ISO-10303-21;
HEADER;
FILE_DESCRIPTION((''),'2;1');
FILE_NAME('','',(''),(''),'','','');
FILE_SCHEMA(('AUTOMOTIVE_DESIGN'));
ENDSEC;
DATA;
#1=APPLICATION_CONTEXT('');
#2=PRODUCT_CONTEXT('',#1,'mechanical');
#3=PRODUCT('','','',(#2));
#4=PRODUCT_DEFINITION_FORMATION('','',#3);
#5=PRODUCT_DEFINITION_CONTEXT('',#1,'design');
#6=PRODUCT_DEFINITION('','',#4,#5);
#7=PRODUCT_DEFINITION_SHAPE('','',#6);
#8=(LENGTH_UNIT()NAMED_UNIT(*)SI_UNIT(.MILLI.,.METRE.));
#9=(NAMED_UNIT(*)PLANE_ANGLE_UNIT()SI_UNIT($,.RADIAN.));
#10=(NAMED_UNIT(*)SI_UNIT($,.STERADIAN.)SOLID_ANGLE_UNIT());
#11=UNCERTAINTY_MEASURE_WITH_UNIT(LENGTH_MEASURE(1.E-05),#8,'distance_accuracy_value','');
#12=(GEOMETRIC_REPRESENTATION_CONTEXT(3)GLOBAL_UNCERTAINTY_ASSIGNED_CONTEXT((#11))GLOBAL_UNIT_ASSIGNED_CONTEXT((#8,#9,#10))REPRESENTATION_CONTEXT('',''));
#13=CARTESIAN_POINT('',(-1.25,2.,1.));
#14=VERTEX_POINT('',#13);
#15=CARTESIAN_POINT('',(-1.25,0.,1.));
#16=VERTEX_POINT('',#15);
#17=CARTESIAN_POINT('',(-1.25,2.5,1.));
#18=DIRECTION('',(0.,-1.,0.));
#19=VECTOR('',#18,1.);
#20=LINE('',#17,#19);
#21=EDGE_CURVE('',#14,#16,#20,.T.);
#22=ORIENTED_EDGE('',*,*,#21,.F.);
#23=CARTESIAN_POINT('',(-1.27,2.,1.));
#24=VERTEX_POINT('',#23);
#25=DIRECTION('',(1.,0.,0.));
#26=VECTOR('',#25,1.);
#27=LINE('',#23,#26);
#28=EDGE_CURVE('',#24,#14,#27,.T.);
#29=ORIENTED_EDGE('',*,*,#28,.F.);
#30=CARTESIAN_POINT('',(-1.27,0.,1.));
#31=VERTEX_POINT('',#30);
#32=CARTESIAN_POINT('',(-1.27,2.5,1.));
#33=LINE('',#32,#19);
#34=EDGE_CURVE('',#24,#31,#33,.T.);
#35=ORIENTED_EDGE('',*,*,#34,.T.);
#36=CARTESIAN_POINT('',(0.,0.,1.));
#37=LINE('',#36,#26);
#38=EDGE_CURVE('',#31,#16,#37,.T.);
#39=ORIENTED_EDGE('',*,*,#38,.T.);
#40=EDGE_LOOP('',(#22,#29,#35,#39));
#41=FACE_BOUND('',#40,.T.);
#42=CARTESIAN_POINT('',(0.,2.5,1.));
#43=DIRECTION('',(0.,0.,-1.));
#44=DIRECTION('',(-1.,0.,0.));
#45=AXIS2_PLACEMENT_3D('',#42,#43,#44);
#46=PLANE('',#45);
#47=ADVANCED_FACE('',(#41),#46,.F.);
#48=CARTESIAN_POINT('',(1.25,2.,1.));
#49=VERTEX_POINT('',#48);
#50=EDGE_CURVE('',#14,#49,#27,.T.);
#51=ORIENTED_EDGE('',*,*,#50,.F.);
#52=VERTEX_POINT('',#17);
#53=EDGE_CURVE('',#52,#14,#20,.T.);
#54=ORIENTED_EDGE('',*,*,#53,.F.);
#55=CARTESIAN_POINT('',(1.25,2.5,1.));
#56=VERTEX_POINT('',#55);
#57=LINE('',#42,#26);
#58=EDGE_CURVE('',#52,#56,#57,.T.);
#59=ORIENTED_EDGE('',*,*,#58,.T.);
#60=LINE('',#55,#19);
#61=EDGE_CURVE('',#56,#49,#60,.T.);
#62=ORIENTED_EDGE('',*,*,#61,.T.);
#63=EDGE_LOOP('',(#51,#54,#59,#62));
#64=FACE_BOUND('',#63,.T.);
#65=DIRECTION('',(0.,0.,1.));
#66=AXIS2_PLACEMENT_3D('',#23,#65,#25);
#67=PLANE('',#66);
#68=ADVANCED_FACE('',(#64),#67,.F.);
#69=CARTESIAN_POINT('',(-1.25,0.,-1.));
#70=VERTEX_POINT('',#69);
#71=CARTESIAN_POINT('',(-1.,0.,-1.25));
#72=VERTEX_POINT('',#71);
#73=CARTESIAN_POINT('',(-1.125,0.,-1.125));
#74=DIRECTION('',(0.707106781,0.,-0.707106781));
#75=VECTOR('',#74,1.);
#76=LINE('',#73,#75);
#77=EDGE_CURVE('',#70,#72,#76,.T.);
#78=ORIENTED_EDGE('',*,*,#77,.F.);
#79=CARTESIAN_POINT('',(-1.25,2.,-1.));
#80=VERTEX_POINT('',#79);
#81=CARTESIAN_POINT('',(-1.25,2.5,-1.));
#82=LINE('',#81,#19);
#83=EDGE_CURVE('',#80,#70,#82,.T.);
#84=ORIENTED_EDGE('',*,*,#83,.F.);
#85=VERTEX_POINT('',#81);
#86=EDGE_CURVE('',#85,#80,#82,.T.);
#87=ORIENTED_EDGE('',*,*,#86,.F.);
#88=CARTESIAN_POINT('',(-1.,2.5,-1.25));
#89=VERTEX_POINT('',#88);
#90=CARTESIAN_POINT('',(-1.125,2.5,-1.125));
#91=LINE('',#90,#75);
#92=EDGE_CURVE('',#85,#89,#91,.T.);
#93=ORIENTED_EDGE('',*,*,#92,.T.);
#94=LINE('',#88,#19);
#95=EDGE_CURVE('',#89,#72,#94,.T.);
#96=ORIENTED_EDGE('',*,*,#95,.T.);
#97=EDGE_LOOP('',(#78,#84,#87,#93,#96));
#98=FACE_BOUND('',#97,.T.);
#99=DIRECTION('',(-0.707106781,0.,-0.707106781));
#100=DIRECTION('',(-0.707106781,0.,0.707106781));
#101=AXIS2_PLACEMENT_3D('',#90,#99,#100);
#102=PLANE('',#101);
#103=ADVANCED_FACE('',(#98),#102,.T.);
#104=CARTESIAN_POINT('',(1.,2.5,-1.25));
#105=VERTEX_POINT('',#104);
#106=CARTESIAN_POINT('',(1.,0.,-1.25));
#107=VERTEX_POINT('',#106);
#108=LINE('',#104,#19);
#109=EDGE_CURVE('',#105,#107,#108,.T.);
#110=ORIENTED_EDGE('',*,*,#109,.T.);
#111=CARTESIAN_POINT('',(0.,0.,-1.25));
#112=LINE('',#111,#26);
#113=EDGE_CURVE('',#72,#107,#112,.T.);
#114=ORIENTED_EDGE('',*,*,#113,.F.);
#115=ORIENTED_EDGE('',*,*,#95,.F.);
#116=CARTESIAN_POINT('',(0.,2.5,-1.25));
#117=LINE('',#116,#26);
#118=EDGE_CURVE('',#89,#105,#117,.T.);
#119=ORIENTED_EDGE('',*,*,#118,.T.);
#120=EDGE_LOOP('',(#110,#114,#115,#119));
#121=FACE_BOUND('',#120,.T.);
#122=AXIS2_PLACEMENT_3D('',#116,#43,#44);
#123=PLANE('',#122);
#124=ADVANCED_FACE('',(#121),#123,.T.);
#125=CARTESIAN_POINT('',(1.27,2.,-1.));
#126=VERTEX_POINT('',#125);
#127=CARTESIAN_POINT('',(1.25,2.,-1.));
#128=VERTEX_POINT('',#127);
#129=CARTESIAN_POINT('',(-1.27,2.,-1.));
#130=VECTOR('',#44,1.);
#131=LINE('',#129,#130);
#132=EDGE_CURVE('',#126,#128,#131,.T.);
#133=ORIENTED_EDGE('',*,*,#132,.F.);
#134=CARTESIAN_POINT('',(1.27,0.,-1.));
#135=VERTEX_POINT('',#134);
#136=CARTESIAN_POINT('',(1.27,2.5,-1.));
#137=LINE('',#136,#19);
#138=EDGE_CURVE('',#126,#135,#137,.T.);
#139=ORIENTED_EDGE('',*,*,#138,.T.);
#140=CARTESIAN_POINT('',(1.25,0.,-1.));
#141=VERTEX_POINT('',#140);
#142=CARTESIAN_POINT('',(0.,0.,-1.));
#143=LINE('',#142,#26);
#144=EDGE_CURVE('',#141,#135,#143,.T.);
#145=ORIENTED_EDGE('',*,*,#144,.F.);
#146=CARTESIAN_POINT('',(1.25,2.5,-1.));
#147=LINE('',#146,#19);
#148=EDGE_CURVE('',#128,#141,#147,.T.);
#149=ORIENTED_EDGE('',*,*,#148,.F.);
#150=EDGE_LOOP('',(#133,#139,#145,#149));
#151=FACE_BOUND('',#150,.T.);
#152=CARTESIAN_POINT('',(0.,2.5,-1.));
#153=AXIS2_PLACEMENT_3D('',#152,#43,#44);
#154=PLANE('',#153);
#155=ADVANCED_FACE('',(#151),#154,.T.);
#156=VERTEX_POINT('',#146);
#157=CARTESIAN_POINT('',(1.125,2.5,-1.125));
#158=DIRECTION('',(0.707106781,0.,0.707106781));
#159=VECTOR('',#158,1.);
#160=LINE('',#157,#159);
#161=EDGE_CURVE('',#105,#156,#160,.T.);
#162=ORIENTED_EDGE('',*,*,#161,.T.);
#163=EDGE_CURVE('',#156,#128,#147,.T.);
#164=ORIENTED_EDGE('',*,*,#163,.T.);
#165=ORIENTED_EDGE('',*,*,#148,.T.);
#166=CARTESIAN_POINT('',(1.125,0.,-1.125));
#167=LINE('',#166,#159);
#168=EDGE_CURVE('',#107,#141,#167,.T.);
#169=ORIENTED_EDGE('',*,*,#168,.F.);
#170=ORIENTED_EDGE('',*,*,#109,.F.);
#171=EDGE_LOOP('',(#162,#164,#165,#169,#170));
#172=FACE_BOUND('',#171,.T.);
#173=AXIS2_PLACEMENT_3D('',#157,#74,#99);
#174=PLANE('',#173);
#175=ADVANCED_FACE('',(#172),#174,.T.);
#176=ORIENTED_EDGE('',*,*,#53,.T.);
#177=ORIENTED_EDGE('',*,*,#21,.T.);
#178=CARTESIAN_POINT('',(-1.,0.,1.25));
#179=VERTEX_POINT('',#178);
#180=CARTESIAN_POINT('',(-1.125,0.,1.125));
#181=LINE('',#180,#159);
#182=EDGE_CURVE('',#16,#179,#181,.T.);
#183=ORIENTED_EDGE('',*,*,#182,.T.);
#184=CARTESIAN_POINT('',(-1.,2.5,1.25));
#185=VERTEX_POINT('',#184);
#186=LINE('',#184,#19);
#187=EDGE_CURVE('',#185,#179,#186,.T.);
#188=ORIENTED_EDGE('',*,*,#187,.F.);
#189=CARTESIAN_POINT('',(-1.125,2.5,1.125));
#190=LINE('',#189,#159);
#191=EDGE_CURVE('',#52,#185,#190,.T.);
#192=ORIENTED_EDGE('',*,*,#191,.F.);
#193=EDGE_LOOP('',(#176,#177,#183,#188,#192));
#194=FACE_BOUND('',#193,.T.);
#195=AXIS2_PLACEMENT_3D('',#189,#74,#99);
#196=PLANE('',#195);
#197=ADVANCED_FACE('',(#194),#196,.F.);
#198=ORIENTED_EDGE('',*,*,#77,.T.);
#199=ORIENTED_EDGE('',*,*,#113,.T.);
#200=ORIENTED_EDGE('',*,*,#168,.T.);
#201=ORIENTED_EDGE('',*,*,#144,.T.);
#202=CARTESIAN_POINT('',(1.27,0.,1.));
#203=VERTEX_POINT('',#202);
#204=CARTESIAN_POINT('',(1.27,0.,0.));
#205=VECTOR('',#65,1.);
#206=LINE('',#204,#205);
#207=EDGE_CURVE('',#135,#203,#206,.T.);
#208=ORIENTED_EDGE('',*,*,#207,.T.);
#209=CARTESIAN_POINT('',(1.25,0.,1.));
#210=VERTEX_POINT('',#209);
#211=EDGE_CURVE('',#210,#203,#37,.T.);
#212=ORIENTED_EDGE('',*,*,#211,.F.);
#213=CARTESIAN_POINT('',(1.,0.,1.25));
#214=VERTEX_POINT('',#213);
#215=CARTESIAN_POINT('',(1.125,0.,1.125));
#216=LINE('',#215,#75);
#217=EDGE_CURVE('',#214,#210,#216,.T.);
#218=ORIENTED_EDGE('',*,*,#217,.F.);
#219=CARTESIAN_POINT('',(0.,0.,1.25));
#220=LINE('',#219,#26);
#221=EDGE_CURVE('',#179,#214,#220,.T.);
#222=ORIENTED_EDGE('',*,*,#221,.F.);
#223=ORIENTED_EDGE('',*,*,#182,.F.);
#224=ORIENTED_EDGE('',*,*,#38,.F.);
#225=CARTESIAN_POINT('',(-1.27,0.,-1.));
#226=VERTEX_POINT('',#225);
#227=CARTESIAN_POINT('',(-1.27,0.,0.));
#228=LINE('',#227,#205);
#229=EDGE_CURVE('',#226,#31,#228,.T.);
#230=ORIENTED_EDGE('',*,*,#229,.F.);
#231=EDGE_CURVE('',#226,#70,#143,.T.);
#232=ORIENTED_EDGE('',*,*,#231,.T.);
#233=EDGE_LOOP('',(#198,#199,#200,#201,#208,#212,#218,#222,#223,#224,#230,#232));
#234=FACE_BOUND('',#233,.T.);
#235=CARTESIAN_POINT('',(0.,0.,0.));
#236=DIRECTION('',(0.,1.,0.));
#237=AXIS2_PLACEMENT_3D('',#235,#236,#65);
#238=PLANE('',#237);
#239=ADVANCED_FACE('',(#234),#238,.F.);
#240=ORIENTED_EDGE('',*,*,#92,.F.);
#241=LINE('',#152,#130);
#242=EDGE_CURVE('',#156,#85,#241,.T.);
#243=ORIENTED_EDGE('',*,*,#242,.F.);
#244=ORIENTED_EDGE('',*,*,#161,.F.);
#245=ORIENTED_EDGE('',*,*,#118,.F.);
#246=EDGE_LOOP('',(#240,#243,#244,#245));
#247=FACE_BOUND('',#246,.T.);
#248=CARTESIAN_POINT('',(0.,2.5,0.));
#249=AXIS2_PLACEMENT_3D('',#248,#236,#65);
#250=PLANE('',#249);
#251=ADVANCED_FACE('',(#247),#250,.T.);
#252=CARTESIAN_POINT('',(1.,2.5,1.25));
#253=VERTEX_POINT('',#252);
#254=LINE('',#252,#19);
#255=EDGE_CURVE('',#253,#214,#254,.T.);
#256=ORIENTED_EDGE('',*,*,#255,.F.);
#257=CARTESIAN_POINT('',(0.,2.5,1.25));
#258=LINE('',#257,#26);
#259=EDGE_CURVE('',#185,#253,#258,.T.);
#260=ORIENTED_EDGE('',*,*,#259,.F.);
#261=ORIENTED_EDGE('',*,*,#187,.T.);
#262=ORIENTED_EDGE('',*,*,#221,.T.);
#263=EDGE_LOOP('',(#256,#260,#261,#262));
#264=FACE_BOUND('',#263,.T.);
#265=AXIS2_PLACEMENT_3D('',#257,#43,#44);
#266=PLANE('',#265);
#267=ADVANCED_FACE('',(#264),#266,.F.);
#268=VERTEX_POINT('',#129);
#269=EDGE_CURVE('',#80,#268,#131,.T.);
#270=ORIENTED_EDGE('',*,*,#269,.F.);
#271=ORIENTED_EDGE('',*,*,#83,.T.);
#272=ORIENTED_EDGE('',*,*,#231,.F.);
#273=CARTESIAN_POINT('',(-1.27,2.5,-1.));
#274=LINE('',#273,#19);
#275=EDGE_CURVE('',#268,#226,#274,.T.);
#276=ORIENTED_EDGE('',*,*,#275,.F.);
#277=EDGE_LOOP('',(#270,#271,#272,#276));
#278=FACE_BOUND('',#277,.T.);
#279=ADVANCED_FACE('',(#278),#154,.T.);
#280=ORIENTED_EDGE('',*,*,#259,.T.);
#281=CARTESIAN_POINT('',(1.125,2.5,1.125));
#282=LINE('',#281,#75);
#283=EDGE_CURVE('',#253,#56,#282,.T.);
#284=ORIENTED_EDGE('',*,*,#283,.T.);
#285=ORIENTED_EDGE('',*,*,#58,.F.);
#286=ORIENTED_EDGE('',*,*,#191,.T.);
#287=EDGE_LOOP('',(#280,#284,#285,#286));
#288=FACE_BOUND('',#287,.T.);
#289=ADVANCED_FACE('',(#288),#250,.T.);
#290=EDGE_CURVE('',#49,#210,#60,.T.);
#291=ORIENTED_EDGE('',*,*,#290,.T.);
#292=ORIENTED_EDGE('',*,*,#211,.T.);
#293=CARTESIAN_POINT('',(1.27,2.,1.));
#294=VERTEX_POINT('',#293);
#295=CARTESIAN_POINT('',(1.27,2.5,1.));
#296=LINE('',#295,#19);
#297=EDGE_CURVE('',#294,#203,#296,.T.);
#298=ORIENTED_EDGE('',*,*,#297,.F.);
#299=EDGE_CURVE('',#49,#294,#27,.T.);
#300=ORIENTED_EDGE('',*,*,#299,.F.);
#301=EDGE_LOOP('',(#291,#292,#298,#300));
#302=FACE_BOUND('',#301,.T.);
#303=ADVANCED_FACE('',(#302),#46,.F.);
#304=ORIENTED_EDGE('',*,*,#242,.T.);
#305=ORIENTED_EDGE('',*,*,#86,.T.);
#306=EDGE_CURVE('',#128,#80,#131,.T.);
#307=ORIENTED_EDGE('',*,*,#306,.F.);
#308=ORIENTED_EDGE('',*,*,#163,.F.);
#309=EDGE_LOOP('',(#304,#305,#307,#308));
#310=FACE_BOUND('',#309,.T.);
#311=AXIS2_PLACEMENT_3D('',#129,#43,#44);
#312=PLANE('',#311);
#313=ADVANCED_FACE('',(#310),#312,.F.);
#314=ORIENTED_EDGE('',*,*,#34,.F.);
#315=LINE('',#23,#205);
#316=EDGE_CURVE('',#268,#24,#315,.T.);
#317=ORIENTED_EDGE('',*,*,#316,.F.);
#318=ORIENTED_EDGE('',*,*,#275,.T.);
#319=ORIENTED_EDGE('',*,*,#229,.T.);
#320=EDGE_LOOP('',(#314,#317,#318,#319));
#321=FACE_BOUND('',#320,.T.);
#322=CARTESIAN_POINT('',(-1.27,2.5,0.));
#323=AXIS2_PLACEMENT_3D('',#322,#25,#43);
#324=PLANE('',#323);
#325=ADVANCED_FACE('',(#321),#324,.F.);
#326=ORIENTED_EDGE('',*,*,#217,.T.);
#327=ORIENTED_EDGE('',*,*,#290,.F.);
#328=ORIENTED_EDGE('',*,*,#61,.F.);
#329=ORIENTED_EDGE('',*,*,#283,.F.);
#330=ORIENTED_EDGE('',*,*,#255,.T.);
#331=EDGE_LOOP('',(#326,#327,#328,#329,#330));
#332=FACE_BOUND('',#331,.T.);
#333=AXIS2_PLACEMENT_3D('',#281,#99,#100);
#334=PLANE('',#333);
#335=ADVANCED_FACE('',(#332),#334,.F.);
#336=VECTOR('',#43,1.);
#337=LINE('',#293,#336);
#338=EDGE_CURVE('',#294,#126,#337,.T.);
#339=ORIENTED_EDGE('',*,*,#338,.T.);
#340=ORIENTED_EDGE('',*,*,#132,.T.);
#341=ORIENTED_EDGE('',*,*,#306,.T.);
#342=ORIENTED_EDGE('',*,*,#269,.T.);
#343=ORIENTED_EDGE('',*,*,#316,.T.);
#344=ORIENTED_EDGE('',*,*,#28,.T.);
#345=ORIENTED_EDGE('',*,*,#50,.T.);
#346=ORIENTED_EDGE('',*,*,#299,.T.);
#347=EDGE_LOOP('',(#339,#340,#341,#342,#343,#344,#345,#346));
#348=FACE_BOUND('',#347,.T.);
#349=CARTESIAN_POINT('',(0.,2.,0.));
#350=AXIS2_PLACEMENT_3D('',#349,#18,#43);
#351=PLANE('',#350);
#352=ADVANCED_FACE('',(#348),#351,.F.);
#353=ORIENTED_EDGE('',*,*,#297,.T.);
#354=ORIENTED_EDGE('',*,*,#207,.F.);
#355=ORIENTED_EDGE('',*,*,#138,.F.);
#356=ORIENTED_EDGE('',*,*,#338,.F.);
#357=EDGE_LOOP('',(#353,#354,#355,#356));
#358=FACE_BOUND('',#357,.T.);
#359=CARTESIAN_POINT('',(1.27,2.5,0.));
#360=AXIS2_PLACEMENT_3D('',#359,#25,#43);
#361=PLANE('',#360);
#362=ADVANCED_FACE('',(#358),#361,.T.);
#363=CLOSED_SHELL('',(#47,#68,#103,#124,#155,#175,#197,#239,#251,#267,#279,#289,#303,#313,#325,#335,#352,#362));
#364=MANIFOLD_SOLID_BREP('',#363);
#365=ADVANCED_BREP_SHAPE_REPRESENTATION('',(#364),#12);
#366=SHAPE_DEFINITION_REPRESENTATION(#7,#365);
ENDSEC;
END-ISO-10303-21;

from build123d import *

# Parameters (mm, degrees)
SKETCH_1_W          = 0.02
SKETCH_1_H          = 2
SKETCH_1_W_2        = 2.5
EXTRUDE_1_DEPTH     = 2.5
SKETCH_2_W          = 2.54
SKETCH_2_H          = 2
CUT_EXTRUDE_1_DEPTH = 0.5


with BuildPart() as part:
    # Эскиз1 → Бобышка-Вытянуть1 (new body)
    with BuildSketch(Plane(origin=(0, 0, 0), x_dir=(1, 0, 0), z_dir=(0, 1, 0))):
        with Locations((-1.26, 0)):
            Rectangle(SKETCH_1_W, SKETCH_1_H)
        Rectangle(SKETCH_1_W_2, SKETCH_1_H)
        Polygon((-1, 1.25), (-1.25, 1), (1.25, 1), (1, 1.25), align=None)
        with Locations((1.26, 0)):
            Rectangle(SKETCH_1_W, SKETCH_1_H)
        Polygon((1.25, -1), (-1.25, -1), (-1, -1.25), (1, -1.25), align=None)
    extrude(amount=EXTRUDE_1_DEPTH)

    # Эскиз2 → Вырез-Вытянуть1 (cut)
    with BuildSketch(Plane(origin=(0, 2.5, 0), x_dir=(1, 0, 0), z_dir=(0, 1, 0))):
        Rectangle(SKETCH_2_W, SKETCH_2_H)
    extrude(amount=-CUT_EXTRUDE_1_DEPTH, mode=Mode.SUBTRACT)


solid = part.part
